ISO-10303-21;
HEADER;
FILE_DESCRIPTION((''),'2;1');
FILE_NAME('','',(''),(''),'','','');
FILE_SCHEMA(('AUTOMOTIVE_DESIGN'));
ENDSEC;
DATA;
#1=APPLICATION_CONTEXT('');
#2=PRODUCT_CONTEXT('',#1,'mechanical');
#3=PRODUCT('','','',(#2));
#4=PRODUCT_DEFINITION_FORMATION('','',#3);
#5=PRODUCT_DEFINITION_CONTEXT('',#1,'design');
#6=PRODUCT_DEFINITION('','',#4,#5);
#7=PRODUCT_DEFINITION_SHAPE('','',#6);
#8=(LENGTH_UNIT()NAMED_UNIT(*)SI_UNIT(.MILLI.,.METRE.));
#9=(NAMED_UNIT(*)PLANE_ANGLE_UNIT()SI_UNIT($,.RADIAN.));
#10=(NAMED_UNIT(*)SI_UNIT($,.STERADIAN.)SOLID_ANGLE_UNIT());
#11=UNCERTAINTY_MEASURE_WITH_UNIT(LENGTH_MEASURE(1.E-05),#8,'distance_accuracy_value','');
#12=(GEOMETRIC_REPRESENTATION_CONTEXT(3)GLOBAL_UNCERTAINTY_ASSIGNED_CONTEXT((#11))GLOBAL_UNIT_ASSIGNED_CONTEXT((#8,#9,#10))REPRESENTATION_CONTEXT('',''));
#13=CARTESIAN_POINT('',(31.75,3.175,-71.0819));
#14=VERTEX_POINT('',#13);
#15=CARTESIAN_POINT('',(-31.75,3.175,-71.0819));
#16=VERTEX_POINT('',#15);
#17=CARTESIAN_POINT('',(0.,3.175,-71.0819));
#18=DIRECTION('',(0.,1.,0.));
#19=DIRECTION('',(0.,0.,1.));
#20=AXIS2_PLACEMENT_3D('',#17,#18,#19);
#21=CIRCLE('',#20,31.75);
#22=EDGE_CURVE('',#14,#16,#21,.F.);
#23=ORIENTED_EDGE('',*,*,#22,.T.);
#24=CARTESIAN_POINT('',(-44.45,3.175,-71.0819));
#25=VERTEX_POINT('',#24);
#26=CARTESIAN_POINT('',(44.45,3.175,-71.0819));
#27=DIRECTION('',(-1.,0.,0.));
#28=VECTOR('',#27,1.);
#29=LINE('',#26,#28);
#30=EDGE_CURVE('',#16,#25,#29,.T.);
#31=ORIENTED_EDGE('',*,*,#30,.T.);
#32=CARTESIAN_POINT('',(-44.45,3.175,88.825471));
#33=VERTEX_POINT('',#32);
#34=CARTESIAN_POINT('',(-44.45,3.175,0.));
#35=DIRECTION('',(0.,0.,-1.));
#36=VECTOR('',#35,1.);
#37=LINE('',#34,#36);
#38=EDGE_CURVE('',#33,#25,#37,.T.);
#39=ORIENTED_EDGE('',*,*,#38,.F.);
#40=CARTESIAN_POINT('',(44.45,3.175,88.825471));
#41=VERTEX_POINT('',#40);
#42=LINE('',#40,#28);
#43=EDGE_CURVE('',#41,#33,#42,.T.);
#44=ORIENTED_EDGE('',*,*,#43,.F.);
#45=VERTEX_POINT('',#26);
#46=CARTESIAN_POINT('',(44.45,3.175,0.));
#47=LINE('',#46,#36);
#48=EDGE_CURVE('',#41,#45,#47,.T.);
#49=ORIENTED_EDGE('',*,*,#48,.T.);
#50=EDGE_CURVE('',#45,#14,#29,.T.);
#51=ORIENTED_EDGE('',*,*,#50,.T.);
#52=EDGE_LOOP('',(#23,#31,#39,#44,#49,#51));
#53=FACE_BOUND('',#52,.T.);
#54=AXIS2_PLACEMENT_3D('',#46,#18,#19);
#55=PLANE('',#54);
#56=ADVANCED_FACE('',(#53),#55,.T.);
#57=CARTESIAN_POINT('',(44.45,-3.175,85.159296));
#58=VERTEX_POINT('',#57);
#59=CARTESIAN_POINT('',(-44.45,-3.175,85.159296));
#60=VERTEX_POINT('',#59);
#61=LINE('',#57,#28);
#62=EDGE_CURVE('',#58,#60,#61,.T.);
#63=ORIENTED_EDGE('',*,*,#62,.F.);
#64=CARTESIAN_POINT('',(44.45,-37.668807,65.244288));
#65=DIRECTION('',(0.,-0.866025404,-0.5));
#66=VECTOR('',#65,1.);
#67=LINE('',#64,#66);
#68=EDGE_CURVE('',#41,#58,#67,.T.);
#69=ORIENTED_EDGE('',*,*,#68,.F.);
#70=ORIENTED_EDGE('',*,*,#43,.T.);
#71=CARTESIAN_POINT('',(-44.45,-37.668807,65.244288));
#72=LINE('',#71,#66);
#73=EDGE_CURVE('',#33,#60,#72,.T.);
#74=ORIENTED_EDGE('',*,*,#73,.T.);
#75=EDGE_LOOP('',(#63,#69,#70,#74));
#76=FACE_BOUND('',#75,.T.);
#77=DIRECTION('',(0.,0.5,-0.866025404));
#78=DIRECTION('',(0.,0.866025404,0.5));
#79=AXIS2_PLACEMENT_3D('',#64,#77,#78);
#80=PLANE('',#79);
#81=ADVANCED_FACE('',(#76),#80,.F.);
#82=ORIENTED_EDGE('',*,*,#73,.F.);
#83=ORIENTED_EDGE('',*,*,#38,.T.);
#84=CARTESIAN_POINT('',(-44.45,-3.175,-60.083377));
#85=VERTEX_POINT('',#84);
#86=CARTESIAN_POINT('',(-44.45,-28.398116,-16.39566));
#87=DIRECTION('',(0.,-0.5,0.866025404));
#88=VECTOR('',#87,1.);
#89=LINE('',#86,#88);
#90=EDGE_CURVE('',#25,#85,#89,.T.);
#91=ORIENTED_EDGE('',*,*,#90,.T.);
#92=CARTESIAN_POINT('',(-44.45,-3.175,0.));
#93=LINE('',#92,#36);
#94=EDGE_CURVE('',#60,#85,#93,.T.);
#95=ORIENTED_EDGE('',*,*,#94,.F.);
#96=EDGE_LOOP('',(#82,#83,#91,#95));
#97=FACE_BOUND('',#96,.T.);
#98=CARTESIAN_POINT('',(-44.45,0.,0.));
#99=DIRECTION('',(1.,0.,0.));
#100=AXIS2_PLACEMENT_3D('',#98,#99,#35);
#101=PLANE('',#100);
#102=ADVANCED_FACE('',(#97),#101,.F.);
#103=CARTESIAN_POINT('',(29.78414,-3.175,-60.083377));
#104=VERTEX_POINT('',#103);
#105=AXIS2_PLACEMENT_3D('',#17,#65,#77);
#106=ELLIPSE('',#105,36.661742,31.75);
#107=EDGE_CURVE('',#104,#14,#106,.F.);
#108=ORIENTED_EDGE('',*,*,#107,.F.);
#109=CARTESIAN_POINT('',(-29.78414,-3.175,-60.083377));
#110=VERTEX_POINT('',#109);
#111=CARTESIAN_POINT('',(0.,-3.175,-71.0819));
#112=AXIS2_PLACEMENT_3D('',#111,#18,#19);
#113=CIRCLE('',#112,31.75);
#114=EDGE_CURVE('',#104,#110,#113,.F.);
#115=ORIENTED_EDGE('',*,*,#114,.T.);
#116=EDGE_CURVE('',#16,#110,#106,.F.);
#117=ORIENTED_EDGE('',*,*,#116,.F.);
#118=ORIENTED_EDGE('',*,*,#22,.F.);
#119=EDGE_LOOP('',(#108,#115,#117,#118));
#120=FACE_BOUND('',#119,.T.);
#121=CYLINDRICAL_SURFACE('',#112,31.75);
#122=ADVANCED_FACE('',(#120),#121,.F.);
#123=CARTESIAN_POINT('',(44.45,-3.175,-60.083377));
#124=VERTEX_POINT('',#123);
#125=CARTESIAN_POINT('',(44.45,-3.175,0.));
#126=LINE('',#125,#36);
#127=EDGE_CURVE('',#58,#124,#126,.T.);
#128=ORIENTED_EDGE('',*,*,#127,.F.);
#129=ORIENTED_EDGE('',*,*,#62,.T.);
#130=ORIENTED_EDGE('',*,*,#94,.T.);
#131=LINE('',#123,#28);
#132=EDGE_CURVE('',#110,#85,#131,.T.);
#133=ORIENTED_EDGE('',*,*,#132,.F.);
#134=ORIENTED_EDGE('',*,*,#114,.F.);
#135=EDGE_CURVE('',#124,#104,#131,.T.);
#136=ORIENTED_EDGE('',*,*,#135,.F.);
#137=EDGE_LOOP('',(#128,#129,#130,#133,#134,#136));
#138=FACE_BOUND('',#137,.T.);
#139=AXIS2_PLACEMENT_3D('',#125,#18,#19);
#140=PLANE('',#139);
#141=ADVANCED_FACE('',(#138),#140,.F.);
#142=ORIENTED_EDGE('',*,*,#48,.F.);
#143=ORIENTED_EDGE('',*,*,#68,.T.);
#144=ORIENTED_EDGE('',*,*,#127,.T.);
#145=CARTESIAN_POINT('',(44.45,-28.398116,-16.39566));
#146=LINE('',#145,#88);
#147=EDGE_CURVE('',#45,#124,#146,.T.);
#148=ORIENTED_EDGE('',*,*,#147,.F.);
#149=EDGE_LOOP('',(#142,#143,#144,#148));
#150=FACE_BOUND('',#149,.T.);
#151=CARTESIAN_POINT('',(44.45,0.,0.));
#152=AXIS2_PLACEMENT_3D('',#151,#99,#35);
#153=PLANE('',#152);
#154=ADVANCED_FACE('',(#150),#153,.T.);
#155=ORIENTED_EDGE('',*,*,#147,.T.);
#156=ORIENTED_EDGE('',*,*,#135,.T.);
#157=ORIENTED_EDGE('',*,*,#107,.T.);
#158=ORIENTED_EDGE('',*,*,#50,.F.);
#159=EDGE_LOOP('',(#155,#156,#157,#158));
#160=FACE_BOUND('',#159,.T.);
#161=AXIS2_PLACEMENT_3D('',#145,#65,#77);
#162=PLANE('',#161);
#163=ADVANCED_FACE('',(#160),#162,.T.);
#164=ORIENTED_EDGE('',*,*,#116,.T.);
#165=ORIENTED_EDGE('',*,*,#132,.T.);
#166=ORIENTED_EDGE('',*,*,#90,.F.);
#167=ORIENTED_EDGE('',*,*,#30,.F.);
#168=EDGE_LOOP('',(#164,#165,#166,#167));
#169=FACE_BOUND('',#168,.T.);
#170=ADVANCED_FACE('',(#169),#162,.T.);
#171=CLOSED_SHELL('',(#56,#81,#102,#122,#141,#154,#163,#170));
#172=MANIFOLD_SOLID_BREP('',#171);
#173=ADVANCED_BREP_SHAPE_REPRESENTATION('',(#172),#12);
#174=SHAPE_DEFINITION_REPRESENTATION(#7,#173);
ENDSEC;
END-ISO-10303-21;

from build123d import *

# Parameters (mm, degrees)
BOSS_EXTRUDE1_DEPTH = 44.45
CUT_EXTRUDE1_DEPTH  = 7.35


with BuildPart() as part:
    # Sketch3 → Boss-Extrude1 (new body, symmetric)
    with BuildSketch(Plane(origin=(0, 0, 0), x_dir=(0, 0, -1), z_dir=(1, 0, 0))):
        Polygon((-88.825470595, 3.175), (-85.159296386, -3.175), (60.083377372, -3.175), (71.0819, 3.175), align=None)
    extrude(amount=BOSS_EXTRUDE1_DEPTH, both=True)

    # Sketch5 → Cut-Extrude1 (cut, through all)
    with BuildSketch(Plane(origin=(0, 3.175, 0), x_dir=(1, 0, 0), z_dir=(0, 1, 0))):
        with BuildLine():
            ThreePointArc((-31.75, 71.0819), (0, 39.3319), (31.75, 71.0819))
            Line((31.75, 71.0819), (-31.75, 71.0819))
        make_face()
    extrude(amount=-CUT_EXTRUDE1_DEPTH, mode=Mode.SUBTRACT)


solid = part.part
